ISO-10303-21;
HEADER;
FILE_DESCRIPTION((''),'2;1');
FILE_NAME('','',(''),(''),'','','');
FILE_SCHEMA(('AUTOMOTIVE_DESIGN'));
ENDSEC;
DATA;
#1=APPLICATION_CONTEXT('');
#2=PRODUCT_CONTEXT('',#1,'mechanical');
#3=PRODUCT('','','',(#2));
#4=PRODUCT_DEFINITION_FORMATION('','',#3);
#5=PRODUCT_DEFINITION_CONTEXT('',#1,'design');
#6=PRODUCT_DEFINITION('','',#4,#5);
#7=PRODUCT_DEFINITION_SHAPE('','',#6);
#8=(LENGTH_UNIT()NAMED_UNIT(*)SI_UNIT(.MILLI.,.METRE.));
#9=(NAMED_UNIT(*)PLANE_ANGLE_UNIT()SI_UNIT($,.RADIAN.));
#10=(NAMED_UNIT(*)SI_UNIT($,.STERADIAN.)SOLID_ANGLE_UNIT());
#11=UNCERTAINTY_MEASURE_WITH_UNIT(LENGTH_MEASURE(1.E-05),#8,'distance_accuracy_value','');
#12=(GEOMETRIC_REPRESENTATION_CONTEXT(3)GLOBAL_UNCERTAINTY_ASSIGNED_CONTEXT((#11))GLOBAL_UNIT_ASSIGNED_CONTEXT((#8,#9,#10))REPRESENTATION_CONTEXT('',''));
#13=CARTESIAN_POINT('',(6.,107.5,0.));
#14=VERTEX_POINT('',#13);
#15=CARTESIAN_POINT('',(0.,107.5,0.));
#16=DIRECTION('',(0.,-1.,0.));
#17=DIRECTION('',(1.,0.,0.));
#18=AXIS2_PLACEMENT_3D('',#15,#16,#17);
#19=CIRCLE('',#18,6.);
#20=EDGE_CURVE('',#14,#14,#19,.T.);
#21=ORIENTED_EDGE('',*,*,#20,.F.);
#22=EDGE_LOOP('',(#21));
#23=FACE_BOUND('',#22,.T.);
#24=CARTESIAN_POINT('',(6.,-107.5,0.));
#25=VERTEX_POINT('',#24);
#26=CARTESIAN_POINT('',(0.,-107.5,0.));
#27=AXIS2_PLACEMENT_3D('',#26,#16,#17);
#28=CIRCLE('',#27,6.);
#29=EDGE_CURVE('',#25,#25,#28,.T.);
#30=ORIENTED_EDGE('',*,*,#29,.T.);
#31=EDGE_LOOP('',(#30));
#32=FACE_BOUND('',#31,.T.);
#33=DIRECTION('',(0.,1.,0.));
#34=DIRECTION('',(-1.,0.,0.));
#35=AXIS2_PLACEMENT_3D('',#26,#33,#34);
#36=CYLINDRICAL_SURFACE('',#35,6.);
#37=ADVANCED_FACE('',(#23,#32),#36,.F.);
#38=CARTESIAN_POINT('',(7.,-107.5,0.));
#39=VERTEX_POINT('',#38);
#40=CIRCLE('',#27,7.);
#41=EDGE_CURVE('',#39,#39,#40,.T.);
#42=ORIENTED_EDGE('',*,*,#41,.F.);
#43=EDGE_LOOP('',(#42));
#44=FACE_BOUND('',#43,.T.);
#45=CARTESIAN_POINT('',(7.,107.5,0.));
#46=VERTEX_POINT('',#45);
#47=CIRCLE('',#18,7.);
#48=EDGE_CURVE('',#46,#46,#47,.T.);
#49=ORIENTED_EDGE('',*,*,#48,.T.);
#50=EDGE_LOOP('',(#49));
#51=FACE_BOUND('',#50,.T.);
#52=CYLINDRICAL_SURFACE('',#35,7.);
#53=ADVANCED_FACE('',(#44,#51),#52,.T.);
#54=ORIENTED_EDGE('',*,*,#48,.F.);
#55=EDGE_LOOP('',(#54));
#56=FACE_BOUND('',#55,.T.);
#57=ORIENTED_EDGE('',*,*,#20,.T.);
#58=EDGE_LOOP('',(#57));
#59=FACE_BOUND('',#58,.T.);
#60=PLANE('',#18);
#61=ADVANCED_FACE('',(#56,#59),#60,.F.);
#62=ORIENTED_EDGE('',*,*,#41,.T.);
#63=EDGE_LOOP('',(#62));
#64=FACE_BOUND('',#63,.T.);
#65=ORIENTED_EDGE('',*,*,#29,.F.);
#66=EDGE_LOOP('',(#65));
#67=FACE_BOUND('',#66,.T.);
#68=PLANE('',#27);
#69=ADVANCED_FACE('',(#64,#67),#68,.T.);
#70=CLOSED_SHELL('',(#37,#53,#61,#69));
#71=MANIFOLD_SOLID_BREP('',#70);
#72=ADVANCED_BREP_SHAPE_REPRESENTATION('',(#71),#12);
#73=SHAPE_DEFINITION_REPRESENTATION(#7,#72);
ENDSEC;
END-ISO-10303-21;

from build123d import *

# Parameters (mm, degrees)
TUBE_ROND_R            = 7
TUBE_ROND_R_2          = 6
TUBE_ROND_14X1_1_DEPTH = 215


with BuildPart() as part:
    # tube rond → Tube rond 14X1(1) (new body)
    with BuildSketch(Plane.XZ.offset(-107.5)):
        Circle(TUBE_ROND_R)
        Circle(TUBE_ROND_R_2, mode=Mode.SUBTRACT)
    extrude(amount=TUBE_ROND_14X1_1_DEPTH)


solid = part.part
